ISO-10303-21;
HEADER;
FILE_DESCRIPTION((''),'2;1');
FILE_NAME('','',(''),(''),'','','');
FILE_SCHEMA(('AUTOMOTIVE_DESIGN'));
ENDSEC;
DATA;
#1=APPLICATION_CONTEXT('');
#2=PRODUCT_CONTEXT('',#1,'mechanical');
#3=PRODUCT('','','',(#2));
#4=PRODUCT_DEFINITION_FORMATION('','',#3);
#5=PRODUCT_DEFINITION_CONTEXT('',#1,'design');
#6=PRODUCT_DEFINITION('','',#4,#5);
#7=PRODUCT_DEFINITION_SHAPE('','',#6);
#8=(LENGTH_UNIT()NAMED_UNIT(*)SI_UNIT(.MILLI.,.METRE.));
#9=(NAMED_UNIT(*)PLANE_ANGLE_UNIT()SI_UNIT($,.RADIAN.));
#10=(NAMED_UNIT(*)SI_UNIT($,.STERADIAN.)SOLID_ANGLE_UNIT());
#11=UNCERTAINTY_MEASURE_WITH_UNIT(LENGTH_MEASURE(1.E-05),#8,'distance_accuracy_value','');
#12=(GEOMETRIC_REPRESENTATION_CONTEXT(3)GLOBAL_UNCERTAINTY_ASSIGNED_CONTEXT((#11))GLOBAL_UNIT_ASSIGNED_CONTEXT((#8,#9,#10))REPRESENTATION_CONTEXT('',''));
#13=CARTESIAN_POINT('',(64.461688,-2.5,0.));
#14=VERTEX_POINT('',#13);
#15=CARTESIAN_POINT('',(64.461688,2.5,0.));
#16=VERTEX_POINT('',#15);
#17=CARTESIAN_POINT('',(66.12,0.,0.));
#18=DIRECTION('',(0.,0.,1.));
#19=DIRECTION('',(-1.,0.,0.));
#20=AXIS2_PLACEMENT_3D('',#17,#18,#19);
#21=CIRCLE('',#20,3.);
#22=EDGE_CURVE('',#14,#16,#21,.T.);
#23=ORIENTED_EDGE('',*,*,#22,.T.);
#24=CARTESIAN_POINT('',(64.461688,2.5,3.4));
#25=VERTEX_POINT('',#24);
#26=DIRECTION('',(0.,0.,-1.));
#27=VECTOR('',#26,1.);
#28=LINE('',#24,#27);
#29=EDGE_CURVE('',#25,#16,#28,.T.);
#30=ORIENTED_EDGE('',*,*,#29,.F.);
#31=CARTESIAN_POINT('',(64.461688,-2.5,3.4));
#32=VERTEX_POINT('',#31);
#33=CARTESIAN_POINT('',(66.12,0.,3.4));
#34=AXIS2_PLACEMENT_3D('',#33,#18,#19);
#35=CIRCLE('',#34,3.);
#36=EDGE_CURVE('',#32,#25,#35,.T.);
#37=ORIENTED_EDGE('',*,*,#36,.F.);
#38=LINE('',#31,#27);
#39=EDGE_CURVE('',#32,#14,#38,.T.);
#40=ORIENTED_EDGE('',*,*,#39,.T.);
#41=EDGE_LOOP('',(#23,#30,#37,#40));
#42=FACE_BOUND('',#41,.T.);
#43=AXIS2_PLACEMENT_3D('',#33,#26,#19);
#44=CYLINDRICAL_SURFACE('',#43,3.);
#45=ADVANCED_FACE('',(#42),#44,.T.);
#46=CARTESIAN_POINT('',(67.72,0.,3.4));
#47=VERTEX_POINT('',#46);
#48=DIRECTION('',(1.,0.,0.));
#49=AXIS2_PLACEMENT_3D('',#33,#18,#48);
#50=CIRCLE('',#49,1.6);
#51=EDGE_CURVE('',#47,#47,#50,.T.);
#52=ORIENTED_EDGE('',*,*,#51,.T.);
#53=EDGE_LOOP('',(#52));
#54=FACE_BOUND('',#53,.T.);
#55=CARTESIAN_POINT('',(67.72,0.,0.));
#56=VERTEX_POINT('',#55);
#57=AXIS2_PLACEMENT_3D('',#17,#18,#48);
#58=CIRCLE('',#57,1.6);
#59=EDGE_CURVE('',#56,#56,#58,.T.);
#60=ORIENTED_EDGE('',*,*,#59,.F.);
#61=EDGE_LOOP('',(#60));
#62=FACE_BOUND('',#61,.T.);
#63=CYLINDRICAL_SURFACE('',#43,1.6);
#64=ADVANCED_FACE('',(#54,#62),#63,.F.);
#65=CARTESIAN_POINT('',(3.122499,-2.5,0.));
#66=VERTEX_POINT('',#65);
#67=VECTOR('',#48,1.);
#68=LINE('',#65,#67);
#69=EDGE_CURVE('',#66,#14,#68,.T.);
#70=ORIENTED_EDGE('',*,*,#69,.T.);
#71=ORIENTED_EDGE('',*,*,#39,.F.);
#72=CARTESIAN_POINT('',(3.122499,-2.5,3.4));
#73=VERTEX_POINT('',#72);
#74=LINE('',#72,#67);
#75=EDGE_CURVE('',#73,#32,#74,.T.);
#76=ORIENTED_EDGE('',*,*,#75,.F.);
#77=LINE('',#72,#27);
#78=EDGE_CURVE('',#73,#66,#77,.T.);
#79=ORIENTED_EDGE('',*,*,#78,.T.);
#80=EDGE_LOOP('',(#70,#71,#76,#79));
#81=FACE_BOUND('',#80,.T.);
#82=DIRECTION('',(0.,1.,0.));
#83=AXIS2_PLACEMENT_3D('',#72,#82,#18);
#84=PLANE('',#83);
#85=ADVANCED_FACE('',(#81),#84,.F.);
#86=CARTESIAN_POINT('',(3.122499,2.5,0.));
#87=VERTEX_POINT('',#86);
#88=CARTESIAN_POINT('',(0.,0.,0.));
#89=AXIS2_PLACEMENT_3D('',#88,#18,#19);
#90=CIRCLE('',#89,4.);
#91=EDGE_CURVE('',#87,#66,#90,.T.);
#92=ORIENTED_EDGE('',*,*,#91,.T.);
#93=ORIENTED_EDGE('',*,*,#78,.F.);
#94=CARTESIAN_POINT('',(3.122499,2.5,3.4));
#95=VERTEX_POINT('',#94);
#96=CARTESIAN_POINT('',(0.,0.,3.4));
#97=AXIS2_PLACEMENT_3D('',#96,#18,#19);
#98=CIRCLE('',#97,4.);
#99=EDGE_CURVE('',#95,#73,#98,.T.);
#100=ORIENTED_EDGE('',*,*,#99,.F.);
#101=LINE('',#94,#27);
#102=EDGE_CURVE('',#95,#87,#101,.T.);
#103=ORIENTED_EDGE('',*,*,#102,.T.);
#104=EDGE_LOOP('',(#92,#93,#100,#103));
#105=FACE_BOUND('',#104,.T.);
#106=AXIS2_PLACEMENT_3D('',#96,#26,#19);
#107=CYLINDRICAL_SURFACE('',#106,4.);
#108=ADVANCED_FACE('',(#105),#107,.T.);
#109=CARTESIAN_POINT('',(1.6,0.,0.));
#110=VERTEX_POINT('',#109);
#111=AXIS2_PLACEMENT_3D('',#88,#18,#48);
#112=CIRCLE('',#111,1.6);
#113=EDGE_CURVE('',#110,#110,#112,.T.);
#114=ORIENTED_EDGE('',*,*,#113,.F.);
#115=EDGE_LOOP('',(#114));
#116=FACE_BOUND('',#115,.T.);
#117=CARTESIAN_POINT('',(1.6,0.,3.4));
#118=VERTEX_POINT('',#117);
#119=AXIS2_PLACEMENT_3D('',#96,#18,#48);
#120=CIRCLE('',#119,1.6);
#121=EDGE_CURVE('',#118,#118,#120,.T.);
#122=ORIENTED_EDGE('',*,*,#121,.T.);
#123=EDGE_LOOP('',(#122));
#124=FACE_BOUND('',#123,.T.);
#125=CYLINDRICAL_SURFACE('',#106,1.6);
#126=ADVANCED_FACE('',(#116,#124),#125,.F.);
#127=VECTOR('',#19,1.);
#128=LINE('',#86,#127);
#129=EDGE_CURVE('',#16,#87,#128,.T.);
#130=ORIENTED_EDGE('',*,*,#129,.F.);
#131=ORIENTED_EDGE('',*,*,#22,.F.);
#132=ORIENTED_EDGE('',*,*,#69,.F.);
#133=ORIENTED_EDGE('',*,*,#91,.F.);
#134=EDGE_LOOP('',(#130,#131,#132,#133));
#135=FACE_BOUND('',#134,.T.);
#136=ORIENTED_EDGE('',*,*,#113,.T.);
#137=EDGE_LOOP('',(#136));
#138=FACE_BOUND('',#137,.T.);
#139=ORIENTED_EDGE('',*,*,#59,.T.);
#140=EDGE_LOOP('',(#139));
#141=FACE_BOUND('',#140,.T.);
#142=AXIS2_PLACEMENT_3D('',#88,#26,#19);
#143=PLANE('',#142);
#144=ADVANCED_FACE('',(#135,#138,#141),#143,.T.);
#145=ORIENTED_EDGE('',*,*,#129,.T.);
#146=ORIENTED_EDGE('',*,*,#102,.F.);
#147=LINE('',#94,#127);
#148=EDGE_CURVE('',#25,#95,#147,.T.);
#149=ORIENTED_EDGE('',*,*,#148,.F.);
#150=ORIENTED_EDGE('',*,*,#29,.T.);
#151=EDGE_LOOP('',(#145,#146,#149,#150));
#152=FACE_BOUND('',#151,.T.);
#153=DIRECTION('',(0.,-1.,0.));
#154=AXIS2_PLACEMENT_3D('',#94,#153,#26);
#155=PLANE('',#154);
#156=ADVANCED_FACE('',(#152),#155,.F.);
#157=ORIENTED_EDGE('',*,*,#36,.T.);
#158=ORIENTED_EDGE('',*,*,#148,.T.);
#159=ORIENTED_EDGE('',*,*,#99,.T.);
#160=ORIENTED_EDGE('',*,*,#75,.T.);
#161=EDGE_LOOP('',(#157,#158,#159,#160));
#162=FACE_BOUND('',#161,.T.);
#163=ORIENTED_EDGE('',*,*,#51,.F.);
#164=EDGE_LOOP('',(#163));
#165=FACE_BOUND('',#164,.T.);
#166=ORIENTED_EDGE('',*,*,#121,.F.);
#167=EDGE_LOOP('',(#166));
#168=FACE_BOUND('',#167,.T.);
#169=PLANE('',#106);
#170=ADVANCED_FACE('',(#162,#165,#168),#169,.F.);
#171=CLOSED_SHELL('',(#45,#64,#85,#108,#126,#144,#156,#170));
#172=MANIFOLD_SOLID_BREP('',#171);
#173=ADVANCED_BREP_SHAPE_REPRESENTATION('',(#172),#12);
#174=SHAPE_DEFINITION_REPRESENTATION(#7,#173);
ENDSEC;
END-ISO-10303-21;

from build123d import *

# Parameters (mm, degrees)
ESQUISSE1_R        = 1.6
BOSS_EXTRU_1_DEPTH = 3.4


with BuildPart() as part:
    # Esquisse1 → Boss.-Extru.1 (new body)
    with BuildSketch(Plane.XY):
        with BuildLine():
            Line((3.122498999, 2.5), (64.461687605, 2.5))
            ThreePointArc((64.461687605, 2.5), (69.12, 0), (64.461687605, -2.5))
            Line((64.461687605, -2.5), (3.122498999, -2.5))
            ThreePointArc((3.122498999, -2.5), (-4, 0), (3.122498999, 2.5))
        make_face()
        Circle(ESQUISSE1_R, mode=Mode.SUBTRACT)
        with Locations((66.12, 0)):
            Circle(ESQUISSE1_R, mode=Mode.SUBTRACT)
    extrude(amount=BOSS_EXTRU_1_DEPTH)


solid = part.part
